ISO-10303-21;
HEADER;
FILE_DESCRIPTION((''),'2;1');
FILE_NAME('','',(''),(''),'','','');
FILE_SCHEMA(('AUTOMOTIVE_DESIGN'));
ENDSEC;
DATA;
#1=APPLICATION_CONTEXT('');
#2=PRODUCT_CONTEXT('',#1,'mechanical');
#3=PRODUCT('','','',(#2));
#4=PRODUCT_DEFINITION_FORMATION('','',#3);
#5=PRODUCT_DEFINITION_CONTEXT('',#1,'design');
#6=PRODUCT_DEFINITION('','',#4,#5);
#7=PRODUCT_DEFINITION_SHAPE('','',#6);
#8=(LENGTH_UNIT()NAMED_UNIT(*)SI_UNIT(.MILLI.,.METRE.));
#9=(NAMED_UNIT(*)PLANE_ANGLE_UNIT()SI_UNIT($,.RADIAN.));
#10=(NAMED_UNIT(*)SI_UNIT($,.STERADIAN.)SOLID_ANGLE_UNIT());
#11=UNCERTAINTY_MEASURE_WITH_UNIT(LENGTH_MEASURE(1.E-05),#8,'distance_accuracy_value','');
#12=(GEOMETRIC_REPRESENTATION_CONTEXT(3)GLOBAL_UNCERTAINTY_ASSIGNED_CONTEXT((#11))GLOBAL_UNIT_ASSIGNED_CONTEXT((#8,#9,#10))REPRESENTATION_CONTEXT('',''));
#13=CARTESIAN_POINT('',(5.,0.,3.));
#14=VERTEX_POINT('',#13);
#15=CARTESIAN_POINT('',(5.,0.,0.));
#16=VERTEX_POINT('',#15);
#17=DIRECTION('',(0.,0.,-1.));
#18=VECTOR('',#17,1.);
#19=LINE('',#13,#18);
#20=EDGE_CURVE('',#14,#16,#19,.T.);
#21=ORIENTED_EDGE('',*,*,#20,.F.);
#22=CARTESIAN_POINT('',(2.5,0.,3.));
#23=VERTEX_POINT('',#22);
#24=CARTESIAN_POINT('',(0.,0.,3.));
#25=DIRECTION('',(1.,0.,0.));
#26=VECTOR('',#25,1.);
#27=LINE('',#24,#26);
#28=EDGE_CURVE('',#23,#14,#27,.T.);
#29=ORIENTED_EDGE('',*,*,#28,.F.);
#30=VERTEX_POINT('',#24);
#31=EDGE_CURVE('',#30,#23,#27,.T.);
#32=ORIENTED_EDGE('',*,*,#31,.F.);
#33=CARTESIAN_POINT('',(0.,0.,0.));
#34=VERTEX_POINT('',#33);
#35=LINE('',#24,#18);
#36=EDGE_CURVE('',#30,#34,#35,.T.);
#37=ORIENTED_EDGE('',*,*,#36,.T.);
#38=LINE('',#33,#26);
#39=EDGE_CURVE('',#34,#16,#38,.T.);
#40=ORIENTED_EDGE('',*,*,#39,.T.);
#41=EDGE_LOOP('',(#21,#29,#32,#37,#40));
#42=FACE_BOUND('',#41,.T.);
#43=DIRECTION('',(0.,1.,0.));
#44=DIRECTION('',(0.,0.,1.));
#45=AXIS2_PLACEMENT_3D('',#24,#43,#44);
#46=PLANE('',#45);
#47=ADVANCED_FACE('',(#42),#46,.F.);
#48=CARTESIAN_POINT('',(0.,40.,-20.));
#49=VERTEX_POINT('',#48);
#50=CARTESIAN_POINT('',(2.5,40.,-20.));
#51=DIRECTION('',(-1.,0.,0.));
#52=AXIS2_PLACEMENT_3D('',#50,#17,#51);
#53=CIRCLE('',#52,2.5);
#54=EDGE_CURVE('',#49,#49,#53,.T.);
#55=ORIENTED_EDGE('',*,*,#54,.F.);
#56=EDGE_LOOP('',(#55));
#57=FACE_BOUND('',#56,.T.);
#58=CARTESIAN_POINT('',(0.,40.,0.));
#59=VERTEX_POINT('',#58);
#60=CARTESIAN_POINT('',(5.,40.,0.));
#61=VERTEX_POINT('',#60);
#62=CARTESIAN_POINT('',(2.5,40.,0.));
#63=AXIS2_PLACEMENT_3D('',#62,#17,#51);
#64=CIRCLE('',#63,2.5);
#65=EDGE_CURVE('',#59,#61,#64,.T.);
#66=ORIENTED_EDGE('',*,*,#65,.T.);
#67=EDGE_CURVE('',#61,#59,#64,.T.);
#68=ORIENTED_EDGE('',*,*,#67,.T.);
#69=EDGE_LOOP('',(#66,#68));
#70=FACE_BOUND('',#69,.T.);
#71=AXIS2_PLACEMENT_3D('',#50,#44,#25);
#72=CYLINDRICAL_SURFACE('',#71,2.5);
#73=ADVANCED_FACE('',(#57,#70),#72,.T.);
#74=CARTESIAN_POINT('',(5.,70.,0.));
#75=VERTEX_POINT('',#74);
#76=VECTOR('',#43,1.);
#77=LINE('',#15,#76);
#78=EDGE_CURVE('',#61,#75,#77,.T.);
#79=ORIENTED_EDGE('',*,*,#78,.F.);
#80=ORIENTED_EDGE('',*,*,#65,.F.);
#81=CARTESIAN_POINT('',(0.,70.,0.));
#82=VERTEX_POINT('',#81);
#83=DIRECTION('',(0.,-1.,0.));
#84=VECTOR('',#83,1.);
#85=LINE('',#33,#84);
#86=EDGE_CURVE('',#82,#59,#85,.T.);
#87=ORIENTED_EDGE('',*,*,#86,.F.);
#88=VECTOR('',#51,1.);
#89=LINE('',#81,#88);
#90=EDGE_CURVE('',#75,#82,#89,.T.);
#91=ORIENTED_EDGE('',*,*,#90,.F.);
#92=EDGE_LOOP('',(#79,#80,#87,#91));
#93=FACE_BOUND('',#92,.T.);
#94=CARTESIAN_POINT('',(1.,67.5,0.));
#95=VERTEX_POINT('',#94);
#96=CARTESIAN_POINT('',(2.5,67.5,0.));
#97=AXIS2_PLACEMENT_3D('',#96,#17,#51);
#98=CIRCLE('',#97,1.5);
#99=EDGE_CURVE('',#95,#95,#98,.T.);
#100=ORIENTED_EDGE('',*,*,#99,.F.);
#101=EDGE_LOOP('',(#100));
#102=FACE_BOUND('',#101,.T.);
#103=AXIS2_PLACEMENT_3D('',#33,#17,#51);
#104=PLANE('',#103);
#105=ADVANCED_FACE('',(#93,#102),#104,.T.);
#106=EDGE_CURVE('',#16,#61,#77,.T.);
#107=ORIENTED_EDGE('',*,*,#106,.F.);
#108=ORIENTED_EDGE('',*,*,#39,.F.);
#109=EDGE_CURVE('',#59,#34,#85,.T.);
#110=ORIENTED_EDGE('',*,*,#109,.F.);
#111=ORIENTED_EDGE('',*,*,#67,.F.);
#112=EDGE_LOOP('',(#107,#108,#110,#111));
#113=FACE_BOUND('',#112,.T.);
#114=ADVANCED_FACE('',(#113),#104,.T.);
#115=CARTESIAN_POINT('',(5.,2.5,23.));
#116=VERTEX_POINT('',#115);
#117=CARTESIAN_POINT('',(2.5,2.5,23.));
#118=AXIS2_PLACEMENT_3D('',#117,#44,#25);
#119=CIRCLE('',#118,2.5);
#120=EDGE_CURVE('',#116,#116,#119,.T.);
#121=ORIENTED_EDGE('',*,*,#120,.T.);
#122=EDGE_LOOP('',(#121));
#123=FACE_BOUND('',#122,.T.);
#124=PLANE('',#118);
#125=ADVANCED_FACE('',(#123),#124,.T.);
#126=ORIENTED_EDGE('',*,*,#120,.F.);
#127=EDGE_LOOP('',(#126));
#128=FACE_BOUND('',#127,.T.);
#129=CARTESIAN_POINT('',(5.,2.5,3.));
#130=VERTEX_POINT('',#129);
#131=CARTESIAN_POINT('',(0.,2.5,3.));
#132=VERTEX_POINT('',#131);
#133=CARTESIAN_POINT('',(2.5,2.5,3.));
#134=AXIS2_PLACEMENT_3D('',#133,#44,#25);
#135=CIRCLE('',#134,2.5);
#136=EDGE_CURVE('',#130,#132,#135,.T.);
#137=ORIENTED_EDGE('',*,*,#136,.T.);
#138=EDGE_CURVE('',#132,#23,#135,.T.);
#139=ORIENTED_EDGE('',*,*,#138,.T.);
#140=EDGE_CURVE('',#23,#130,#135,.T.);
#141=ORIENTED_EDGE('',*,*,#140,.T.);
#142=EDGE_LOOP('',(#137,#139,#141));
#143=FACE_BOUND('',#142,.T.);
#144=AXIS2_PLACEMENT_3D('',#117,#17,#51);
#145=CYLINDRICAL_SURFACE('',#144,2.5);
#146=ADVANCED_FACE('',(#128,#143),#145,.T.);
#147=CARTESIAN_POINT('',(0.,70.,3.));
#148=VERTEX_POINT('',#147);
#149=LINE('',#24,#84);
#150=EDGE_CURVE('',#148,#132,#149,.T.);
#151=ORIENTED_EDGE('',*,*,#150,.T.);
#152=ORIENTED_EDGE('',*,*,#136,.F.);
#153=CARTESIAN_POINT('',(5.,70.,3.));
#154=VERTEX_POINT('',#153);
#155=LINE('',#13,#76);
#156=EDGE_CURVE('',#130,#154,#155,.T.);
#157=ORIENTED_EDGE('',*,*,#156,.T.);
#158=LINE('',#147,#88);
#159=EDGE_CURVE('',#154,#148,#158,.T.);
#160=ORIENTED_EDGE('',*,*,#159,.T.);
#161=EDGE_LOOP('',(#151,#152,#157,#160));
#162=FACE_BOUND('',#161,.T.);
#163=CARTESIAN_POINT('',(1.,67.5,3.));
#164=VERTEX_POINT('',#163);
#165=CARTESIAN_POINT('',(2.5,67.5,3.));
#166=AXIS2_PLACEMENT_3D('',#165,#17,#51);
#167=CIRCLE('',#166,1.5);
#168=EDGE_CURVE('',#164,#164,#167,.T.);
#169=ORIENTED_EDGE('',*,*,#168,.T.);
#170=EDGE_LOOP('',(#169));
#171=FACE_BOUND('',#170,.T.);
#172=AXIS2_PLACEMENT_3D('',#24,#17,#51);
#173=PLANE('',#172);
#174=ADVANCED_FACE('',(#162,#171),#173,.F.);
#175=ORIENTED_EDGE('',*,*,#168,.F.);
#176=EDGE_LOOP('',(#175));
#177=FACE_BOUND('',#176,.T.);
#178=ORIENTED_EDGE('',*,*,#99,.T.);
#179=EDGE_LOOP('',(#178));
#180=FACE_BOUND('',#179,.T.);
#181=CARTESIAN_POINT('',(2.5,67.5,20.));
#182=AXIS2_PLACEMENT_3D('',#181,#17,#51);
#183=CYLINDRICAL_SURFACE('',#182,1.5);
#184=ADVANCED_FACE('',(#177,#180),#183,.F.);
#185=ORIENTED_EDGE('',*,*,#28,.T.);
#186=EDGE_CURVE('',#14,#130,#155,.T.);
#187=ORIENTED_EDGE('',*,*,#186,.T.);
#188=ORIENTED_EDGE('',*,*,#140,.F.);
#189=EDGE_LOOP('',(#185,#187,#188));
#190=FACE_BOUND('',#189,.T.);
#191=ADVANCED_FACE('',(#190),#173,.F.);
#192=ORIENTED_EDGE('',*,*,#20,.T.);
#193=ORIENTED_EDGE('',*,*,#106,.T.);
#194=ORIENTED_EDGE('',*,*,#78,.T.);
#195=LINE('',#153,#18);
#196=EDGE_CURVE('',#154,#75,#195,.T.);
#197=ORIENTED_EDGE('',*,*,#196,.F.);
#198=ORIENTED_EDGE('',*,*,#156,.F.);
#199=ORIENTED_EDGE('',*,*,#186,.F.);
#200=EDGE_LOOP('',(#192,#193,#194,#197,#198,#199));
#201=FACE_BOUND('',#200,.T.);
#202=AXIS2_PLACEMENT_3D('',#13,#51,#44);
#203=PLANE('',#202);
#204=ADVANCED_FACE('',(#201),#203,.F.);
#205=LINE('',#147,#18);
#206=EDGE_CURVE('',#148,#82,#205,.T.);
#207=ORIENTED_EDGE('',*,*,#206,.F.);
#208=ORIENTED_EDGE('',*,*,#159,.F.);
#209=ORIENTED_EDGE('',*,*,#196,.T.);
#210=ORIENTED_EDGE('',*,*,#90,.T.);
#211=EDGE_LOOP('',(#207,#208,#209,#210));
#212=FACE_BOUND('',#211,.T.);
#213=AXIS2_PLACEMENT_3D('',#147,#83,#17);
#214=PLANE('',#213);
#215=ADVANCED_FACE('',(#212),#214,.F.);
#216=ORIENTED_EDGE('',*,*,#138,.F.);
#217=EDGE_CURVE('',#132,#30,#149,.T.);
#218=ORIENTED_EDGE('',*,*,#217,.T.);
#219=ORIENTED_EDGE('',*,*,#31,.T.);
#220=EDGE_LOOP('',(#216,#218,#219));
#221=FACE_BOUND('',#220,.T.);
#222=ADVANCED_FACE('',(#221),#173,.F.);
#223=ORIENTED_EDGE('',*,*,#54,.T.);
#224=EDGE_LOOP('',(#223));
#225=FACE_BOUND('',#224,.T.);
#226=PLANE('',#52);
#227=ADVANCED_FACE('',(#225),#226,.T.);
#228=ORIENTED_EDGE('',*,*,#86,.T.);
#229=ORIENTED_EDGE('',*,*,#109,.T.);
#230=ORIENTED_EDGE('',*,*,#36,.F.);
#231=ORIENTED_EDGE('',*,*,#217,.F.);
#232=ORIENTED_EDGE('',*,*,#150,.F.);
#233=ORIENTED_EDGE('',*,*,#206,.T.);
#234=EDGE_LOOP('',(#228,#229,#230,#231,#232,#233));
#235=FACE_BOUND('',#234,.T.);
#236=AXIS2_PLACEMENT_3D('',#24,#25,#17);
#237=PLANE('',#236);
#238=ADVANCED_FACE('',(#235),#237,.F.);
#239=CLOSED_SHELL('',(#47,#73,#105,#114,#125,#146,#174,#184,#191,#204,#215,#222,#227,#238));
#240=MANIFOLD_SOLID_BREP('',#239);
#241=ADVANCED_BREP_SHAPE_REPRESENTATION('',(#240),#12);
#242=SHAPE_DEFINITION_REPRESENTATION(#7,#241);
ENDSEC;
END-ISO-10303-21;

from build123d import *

# Parameters (mm, degrees)
SKETCH1_W           = 5
SKETCH1_H           = 70
BOSS_EXTRUDE1_DEPTH = 3
SKETCH2_R           = 2.5
BOSS_EXTRUDE2_DEPTH = 20
SKETCH3_R           = 2.5
BOSS_EXTRUDE3_DEPTH = 20
SKETCH4_R           = 1.5
CUT_EXTRUDE1_DEPTH  = 20


with BuildPart() as part:
    # Sketch1 → Boss-Extrude1 (new body)
    with BuildSketch(Plane.XY):
        with Locations((2.5, 35)):
            Rectangle(SKETCH1_W, SKETCH1_H)
    extrude(amount=BOSS_EXTRUDE1_DEPTH)

    # Sketch2 → Boss-Extrude2 (add)
    with BuildSketch(Plane.XY.offset(3)):
        with Locations((2.5, 2.5)):
            Circle(SKETCH2_R)
    extrude(amount=BOSS_EXTRUDE2_DEPTH)

    # Sketch3 → Boss-Extrude3 (add)
    with BuildSketch(Plane(origin=(0, 0, 0), x_dir=(-1, 0, 0), z_dir=(0, 0, -1))):
        with Locations((-2.5, 40)):
            Circle(SKETCH3_R)
    extrude(amount=BOSS_EXTRUDE3_DEPTH)

    # Sketch4 → Cut-Extrude1 (cut)
    with BuildSketch(Plane(origin=(0, 0, 0), x_dir=(-1, 0, 0), z_dir=(0, 0, -1))):
        with Locations((-2.5, 67.5)):
            Circle(SKETCH4_R)
    extrude(amount=-CUT_EXTRUDE1_DEPTH, mode=Mode.SUBTRACT)


solid = part.part
